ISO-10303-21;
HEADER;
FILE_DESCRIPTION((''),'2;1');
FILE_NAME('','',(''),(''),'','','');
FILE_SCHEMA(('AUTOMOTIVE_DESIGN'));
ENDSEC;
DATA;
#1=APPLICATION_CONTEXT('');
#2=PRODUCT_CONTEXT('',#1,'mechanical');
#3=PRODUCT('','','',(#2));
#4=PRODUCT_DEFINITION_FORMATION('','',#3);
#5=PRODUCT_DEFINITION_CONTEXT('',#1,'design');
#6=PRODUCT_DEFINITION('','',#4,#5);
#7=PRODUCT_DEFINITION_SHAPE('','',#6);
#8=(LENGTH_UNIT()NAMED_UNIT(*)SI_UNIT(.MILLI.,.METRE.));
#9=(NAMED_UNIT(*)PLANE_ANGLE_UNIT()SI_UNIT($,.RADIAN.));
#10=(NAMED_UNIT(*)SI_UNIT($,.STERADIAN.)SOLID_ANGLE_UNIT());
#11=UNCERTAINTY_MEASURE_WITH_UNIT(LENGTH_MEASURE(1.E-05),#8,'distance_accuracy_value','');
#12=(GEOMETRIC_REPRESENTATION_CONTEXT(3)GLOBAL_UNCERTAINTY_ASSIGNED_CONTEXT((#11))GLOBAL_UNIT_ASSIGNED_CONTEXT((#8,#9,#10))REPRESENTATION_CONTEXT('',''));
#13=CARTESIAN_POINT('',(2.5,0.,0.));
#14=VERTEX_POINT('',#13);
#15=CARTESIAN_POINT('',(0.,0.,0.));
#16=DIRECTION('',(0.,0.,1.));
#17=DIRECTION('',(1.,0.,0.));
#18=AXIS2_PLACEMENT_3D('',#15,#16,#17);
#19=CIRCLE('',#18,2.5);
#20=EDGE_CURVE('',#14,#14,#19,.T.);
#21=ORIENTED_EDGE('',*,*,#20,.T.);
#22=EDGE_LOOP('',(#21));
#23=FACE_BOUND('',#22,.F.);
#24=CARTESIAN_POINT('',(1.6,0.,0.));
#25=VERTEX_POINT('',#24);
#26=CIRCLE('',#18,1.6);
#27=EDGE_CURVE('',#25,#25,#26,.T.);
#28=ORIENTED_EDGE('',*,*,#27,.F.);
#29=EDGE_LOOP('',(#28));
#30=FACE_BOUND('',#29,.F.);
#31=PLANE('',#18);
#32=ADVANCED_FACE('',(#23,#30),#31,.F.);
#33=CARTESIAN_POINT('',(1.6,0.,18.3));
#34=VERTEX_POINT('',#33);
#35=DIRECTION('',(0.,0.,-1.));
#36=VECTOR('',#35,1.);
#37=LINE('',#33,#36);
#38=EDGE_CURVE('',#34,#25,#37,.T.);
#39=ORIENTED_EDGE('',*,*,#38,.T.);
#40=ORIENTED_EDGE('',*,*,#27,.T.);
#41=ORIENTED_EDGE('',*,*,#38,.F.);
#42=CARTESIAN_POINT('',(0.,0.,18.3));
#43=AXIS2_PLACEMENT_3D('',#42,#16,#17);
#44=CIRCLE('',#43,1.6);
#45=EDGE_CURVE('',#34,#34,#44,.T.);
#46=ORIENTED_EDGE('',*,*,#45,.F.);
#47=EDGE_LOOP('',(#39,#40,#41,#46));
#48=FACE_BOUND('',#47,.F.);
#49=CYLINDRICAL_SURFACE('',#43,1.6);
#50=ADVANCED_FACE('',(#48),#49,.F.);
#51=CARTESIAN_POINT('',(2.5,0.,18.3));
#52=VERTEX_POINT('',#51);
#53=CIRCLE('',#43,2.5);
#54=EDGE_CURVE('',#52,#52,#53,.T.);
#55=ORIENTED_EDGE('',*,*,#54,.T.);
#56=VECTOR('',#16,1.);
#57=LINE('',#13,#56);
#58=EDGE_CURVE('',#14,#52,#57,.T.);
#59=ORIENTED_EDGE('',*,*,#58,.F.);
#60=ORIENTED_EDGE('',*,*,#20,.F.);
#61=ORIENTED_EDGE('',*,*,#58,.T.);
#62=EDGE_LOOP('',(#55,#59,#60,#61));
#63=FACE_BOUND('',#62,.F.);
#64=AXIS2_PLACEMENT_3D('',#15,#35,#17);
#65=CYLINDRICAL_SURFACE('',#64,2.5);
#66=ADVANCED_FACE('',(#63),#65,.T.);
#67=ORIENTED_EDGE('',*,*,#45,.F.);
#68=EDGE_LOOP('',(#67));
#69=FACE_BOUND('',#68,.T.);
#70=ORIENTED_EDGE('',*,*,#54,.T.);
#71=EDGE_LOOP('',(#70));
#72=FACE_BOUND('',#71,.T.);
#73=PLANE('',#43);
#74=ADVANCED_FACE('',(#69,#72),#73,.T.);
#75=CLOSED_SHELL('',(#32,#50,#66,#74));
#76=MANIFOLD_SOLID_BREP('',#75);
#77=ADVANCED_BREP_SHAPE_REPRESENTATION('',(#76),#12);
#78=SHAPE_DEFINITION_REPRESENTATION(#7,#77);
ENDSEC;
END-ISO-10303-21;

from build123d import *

# Parameters (mm, degrees)
SKETCH_R     = 2.5
PAD_DEPTH    = 18.3
SKETCH001_R  = 1.6
POCKET_DEPTH = 18.301


with BuildPart() as part:
    # Sketch → Pad (new body)
    with BuildSketch(Plane.XY):
        Circle(SKETCH_R)
    extrude(amount=PAD_DEPTH)

    # Sketch001 → Pocket (cut, through all)
    with BuildSketch(Plane.XY.offset(18.3)):
        Circle(SKETCH001_R)
    extrude(amount=-POCKET_DEPTH, mode=Mode.SUBTRACT)


solid = part.part
